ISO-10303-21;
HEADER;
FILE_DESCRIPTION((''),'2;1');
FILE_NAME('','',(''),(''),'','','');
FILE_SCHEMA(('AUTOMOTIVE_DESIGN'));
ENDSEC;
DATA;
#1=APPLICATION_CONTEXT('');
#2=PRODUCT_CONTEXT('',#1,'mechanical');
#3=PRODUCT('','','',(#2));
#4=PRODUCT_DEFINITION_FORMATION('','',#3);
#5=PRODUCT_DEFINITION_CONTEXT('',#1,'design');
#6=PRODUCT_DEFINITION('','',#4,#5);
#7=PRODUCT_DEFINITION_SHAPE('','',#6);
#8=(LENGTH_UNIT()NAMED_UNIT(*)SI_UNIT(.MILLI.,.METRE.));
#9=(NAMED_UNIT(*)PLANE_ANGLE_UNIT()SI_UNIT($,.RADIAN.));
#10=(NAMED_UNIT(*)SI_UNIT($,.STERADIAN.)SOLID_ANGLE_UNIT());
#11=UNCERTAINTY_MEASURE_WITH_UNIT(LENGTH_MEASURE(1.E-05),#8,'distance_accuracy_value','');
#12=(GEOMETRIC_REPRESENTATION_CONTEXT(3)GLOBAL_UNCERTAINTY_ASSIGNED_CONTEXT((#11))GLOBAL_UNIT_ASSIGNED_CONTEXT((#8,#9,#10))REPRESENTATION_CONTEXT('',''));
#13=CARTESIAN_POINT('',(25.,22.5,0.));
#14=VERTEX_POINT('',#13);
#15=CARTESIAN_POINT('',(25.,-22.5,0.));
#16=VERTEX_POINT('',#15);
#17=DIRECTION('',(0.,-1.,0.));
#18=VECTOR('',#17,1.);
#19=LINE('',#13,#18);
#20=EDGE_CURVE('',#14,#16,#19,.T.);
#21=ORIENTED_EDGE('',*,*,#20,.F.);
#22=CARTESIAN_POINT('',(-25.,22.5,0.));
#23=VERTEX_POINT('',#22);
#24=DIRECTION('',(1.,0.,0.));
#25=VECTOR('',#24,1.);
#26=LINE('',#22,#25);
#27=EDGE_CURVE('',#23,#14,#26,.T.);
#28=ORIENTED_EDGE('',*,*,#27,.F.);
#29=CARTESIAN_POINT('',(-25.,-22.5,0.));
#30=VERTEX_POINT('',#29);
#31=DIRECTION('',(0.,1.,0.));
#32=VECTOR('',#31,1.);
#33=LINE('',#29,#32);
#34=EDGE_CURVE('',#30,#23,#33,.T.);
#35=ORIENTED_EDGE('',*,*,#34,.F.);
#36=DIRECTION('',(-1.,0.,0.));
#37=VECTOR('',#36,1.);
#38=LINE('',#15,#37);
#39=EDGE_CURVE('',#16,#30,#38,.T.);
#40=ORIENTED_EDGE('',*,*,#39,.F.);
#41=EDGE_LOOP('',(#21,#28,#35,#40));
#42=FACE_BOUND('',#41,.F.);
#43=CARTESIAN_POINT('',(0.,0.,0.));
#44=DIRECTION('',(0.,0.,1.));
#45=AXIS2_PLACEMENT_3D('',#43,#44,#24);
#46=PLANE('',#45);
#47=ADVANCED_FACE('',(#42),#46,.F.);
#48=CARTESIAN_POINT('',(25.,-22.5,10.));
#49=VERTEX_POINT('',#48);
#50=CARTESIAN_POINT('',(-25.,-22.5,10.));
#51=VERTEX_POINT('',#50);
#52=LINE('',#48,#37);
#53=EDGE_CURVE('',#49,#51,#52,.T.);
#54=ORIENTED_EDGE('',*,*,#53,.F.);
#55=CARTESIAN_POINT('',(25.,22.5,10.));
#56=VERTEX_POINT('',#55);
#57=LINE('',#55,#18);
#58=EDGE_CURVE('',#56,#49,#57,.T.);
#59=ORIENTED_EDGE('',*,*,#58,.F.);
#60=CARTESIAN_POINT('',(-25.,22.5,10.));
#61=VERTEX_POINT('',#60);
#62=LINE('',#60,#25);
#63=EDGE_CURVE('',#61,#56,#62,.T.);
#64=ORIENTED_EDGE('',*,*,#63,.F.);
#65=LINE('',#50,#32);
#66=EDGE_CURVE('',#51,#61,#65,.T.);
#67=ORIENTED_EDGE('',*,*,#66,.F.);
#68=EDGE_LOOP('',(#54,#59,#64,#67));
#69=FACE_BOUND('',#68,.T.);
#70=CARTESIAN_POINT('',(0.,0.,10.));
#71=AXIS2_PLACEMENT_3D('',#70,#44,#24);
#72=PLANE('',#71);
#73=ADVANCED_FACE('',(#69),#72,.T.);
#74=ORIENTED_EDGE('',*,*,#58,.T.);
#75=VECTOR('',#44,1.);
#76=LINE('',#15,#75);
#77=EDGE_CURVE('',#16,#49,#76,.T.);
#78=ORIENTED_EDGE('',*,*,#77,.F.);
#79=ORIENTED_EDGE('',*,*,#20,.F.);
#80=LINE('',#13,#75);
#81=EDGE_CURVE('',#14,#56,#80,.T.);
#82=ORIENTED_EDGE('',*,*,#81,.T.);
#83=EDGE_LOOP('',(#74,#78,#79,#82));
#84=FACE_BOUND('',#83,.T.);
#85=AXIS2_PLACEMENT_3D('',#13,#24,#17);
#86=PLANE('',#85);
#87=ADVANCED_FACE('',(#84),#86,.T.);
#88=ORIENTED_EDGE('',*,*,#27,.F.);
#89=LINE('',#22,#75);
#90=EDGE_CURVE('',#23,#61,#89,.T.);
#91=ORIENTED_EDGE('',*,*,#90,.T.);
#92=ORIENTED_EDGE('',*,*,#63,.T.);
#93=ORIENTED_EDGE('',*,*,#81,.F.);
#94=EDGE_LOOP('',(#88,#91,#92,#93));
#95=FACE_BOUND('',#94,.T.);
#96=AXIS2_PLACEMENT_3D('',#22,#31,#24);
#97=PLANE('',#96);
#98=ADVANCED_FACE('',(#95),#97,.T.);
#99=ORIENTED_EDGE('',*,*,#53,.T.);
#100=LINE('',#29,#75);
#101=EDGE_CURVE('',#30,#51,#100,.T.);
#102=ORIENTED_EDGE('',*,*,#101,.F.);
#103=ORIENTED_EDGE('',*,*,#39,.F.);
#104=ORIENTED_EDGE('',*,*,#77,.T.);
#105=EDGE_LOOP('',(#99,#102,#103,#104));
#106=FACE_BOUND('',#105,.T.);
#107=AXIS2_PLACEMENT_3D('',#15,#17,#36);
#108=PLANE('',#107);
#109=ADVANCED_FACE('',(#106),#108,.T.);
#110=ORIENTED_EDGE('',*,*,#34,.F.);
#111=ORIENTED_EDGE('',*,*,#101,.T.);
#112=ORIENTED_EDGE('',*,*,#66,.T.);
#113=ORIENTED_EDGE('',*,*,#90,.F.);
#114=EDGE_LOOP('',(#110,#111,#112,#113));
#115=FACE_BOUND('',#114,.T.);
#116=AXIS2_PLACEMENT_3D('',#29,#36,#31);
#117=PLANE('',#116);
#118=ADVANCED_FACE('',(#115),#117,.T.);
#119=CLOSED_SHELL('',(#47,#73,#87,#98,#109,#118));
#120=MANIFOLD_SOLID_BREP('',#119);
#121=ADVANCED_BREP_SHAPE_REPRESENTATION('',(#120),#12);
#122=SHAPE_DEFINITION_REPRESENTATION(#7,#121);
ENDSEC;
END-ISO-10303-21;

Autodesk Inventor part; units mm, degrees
ref_plane "YZ Plane" through (0, 0, 0) normal (1, 0, 0) x (0, 1, 0)
ref_plane "XZ Plane" through (0, 0, 0) normal (0, 1, 0) x (-1, 0, 0)
ref_plane "XY Plane" through (0, 0, 0) normal (0, 0, 1) x (1, 0, 0)
sketch "Sketch1" plane through (0, 0, 0) normal (0, 0, 1) x (1, 0, 0)
  line L0 (-25, 22.5) -> (25, 22.5)
  line L1 (25, 22.5) -> (25, -22.5)
  line L2 (25, -22.5) -> (-25, -22.5)
  line L3 (-25, -22.5) -> (-25, 22.5)
  line L4 (-25, 22.5) -> (25, -22.5) construction
  line L5 (25, 22.5) -> (-25, -22.5) construction
  point P0 (0, 0)
  dimension "d0" = 50
  dimension "d1" = 45
extrude "Extrusion1" add sketch "Sketch1" along normal blind 10
properties part number "BaseSupport"
